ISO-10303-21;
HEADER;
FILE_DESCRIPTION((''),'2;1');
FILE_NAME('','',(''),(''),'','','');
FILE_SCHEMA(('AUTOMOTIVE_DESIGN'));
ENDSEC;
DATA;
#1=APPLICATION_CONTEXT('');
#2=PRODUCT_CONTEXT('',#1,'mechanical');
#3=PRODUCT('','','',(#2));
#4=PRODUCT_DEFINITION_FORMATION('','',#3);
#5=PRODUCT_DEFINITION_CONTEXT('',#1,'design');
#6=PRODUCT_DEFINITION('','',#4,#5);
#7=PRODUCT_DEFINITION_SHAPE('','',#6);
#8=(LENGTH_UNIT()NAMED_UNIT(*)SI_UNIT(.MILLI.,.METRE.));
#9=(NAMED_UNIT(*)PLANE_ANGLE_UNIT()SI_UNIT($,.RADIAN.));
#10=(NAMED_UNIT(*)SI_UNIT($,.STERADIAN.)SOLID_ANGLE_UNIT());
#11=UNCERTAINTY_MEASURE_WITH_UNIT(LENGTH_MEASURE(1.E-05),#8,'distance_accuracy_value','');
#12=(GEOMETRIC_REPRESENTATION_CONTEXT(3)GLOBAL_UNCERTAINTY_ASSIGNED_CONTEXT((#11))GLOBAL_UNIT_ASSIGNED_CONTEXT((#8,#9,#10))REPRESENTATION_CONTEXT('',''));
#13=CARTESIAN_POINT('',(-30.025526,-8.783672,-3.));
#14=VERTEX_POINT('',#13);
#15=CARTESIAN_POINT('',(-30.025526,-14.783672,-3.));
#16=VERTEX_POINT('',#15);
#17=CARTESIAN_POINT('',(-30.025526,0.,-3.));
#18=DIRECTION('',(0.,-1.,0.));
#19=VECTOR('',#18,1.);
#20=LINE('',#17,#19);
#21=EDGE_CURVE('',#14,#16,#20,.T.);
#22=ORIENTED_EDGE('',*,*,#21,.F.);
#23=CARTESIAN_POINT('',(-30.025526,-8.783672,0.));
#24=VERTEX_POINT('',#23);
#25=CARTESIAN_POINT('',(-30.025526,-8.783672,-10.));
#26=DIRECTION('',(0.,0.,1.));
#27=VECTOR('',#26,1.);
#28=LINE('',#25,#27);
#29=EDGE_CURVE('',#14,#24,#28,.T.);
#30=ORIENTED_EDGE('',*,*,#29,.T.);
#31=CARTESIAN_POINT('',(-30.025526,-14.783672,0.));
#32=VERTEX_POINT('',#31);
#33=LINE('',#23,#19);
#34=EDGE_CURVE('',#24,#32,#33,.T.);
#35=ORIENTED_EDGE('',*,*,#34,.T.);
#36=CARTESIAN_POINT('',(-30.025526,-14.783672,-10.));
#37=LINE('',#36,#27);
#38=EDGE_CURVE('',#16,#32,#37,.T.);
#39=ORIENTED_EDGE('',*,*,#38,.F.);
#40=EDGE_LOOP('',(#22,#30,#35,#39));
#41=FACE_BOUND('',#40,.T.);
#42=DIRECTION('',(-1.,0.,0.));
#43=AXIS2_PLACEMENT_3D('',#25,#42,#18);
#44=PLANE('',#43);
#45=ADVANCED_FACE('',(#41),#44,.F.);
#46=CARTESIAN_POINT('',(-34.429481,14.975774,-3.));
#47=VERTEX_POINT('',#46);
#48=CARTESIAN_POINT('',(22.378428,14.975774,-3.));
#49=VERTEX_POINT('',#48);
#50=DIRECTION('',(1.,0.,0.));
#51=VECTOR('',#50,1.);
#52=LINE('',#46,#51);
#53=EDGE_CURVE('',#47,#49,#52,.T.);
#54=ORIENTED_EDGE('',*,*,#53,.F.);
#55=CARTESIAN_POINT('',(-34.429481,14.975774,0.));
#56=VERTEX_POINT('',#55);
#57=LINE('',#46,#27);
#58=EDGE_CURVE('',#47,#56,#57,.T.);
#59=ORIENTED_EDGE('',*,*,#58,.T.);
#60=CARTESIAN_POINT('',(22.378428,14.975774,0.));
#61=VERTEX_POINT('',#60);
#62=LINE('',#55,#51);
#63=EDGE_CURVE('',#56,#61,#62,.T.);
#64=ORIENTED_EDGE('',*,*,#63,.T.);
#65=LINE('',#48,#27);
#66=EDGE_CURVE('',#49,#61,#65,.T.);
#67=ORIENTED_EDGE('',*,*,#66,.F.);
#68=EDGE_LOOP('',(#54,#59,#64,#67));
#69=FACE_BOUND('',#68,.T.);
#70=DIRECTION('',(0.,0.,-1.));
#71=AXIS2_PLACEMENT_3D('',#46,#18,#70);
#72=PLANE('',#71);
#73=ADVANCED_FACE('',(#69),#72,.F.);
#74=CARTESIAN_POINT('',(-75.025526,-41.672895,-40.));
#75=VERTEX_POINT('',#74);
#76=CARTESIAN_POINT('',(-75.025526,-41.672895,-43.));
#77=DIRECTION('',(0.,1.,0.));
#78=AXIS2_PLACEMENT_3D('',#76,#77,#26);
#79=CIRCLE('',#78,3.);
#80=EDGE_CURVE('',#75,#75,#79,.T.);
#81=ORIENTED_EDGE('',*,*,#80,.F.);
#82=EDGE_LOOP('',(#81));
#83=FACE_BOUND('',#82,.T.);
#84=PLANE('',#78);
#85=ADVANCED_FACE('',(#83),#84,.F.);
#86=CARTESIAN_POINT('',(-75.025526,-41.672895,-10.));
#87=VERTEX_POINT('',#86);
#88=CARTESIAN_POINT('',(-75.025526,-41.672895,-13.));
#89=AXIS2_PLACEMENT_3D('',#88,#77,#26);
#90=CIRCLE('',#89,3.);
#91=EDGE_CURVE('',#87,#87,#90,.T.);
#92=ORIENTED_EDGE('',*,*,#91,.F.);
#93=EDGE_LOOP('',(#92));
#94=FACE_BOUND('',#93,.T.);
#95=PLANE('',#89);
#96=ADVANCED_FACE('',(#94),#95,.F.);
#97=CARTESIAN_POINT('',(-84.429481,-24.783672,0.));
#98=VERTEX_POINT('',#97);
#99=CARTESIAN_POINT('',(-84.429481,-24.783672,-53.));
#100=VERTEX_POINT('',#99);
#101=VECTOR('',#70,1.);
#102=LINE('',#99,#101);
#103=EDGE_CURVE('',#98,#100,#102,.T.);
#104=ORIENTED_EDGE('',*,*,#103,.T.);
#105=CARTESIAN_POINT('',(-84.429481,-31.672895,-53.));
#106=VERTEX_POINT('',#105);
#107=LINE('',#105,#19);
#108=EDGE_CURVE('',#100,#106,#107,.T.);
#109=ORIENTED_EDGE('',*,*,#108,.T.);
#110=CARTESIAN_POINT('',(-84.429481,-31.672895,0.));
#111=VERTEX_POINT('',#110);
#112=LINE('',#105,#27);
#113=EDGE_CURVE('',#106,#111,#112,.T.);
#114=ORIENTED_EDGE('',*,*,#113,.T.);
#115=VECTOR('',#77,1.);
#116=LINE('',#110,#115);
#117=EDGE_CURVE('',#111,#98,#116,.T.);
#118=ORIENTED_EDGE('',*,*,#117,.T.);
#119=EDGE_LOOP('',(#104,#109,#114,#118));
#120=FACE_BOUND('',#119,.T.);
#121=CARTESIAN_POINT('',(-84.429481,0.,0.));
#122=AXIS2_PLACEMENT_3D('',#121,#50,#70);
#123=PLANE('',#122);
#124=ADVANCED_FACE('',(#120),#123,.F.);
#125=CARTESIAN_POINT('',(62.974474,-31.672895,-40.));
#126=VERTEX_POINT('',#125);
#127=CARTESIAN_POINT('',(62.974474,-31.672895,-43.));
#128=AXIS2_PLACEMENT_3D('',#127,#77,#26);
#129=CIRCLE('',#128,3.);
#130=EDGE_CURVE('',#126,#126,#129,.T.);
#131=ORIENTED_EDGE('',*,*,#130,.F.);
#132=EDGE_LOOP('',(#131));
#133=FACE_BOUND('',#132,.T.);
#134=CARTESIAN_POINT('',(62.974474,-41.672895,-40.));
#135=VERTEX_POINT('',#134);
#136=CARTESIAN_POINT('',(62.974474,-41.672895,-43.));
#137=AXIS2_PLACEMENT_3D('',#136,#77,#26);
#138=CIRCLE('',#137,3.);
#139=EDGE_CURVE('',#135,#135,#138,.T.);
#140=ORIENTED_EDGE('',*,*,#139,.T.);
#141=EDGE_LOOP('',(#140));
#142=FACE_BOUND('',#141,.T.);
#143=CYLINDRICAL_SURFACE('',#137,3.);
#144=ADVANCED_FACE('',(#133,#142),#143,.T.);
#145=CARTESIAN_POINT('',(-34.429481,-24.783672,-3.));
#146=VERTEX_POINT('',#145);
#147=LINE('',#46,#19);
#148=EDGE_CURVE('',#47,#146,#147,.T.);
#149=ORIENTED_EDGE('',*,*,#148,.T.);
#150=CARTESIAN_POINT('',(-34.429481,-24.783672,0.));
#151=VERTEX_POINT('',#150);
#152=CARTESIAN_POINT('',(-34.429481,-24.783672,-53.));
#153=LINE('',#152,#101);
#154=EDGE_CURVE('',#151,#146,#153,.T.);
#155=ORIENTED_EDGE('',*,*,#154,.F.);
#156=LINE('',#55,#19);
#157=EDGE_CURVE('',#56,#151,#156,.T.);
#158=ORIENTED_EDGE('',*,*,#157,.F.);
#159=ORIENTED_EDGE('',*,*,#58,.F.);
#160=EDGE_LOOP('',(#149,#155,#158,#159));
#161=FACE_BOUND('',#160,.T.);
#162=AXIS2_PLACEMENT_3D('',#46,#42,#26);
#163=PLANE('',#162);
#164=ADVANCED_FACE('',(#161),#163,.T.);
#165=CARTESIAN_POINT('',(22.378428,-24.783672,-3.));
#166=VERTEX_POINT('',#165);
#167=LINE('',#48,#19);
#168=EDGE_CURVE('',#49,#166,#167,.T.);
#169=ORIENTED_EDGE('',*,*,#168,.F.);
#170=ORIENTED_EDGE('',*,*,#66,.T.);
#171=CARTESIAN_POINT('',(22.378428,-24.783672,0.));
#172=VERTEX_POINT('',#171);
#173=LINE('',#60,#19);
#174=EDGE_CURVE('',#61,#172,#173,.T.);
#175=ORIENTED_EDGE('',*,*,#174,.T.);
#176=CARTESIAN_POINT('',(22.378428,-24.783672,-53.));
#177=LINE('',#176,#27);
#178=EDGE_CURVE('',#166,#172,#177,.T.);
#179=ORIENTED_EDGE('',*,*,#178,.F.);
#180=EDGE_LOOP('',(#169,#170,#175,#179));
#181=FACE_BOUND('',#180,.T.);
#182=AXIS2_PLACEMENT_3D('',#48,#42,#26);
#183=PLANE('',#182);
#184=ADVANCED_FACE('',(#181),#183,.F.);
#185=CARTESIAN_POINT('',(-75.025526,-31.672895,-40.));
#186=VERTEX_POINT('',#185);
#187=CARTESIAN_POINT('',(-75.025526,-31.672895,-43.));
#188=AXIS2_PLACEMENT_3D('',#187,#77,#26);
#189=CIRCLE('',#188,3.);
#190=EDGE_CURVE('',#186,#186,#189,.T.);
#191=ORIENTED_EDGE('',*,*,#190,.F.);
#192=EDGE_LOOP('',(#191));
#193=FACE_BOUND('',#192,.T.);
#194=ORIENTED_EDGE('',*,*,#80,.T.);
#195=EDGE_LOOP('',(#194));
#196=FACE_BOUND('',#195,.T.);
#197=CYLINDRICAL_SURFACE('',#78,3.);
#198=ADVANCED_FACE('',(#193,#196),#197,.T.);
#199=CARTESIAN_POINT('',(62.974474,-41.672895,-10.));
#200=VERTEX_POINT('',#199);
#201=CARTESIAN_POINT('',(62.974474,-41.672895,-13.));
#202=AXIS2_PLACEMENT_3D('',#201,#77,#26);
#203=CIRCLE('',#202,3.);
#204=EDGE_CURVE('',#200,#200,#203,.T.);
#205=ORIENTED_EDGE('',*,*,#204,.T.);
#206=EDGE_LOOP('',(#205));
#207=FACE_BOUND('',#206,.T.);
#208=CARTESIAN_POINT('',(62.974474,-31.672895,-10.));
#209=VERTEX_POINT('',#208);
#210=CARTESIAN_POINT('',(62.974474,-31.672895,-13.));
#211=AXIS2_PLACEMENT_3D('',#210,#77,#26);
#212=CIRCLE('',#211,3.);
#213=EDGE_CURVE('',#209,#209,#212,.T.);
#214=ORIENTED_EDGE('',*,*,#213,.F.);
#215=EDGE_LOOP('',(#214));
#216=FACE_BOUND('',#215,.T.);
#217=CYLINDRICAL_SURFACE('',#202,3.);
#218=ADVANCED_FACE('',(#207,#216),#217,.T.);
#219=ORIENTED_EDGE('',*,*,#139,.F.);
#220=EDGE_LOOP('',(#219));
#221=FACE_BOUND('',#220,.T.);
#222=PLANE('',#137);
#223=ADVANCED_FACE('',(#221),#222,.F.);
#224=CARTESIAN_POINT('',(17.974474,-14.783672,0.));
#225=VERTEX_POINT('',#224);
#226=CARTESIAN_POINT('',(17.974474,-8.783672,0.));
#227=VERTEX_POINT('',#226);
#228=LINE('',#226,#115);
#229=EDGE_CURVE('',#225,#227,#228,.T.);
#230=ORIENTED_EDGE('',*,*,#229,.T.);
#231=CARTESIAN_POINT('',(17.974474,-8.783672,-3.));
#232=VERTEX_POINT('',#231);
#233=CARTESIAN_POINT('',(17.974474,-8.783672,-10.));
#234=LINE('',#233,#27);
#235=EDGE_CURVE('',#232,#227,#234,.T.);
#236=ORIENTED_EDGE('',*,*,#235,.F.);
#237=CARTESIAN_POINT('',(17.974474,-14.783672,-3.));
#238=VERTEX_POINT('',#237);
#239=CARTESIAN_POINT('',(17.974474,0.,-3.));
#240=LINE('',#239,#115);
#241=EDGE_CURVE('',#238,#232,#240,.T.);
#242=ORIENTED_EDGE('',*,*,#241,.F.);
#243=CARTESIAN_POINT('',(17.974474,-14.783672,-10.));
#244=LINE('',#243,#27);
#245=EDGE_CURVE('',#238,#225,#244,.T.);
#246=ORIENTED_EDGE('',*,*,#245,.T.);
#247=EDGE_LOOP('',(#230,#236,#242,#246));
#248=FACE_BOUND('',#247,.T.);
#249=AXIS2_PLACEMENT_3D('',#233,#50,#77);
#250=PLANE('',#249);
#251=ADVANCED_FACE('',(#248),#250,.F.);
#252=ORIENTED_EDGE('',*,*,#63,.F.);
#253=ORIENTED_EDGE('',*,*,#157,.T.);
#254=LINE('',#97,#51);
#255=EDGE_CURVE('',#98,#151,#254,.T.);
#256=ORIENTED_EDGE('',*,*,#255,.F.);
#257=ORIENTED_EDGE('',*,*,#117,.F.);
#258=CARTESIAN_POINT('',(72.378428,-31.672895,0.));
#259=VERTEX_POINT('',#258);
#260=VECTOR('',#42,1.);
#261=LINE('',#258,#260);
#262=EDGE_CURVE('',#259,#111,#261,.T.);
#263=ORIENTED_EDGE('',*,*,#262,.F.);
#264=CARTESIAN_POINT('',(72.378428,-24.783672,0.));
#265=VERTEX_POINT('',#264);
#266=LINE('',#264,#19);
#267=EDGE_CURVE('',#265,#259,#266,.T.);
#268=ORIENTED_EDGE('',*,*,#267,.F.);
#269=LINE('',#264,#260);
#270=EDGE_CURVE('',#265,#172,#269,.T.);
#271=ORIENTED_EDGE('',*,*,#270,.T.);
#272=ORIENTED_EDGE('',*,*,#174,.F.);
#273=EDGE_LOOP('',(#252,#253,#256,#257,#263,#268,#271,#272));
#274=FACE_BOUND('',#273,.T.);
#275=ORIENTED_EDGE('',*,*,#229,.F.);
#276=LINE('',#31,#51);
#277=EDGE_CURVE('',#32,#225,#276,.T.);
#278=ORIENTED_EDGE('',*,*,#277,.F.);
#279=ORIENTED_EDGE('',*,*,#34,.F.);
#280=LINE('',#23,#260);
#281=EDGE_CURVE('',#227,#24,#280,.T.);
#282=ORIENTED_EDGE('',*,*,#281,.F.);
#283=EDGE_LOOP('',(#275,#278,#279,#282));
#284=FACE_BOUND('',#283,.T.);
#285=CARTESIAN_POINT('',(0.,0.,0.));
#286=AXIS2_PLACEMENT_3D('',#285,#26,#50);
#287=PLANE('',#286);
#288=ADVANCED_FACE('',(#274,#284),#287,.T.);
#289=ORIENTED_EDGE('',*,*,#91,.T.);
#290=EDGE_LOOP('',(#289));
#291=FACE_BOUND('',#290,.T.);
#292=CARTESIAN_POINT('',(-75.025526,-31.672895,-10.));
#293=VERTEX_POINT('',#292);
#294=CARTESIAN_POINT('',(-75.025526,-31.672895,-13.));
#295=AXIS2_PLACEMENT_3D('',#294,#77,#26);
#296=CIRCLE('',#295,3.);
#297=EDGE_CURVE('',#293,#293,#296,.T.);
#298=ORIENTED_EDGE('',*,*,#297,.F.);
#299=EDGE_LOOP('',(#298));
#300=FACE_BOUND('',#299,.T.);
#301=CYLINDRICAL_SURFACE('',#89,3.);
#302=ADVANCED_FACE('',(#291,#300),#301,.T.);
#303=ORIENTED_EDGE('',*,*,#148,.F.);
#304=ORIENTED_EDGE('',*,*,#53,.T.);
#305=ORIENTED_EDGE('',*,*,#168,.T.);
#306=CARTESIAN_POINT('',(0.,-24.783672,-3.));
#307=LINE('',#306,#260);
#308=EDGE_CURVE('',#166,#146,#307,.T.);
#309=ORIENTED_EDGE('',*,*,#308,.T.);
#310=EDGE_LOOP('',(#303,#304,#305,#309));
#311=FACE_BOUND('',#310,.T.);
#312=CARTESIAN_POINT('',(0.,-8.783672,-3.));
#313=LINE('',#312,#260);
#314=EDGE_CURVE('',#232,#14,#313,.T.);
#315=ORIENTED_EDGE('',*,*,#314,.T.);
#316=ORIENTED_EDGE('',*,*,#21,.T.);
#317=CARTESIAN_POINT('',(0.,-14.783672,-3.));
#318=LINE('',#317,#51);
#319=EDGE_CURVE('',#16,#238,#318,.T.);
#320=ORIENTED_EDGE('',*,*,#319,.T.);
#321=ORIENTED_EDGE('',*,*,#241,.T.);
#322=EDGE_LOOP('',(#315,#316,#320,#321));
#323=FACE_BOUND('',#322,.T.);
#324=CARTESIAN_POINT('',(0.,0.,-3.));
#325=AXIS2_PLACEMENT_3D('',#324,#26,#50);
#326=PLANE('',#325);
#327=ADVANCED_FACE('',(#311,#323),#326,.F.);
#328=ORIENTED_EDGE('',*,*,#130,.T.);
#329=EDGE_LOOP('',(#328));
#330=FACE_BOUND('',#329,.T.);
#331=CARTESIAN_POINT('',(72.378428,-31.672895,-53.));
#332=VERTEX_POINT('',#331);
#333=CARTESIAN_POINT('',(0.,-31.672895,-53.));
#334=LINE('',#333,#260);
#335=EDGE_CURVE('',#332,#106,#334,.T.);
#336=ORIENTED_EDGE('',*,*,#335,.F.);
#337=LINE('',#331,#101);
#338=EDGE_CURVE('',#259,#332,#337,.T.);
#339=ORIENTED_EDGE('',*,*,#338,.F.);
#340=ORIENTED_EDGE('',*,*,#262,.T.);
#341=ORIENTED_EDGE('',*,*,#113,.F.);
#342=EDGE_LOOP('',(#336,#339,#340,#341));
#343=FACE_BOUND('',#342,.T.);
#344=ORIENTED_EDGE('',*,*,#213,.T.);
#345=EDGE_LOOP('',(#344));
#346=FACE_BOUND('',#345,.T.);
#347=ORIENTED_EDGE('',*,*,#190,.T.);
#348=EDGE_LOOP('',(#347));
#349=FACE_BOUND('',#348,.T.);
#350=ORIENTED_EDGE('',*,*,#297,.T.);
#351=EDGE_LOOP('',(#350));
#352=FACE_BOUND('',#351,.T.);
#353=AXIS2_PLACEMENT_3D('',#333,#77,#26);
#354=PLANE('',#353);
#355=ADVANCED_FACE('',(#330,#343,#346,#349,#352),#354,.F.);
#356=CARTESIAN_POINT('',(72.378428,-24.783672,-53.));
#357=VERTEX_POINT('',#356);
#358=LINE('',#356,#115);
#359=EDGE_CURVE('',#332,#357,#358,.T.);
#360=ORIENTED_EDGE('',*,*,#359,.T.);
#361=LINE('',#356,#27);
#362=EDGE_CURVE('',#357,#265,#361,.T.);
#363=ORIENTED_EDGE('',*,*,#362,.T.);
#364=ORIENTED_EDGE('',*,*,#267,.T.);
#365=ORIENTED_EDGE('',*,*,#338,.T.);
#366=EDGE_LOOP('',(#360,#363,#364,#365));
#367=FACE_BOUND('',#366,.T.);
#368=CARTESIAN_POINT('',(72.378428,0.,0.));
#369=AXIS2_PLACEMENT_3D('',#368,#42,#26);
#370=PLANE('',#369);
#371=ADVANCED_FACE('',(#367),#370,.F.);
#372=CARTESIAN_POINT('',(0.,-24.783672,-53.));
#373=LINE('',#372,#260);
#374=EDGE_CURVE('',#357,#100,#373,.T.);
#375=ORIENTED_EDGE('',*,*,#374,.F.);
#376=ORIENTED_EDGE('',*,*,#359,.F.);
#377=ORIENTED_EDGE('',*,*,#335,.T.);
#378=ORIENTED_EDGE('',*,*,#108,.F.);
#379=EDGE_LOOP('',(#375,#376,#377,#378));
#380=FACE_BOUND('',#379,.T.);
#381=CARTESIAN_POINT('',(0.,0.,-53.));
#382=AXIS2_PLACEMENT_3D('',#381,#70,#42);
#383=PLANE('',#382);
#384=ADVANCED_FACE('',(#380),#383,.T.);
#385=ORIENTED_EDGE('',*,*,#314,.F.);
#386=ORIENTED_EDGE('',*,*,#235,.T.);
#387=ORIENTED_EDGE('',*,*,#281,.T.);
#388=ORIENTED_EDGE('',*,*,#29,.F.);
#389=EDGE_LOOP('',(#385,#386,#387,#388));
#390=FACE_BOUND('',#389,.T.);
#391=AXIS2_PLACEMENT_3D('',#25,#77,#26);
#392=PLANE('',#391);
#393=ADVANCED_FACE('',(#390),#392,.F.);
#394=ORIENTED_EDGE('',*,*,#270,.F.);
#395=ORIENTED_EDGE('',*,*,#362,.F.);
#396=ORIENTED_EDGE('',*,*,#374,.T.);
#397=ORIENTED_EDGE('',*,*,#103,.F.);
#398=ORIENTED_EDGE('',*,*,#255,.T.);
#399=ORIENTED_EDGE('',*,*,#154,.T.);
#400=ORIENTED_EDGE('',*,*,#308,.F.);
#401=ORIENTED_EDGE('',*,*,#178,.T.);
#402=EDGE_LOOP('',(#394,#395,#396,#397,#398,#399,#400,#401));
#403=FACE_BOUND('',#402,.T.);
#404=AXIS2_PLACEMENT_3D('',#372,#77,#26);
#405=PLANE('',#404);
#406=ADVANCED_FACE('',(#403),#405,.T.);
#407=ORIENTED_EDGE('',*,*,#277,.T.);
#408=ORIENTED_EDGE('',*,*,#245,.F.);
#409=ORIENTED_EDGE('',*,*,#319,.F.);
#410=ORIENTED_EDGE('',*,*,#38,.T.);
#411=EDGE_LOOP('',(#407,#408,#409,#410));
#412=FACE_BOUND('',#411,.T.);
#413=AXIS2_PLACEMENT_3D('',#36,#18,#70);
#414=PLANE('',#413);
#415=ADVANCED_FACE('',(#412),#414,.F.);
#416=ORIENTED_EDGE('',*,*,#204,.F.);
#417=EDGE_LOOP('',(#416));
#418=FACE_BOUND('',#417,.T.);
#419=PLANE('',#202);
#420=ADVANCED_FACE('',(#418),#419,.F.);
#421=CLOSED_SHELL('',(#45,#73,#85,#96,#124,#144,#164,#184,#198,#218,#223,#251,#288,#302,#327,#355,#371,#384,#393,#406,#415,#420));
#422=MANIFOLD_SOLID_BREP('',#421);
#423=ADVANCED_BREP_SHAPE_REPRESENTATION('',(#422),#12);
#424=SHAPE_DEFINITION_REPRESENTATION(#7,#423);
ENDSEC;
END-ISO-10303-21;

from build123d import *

# Parameters (mm, degrees)
SKETCH1_W           = 56.807908868
SKETCH1_H           = 54.266272082
BOSS_EXTRUDE2_DEPTH = 3
SKETCH2_R           = 4.25
BOSS_EXTRUDE3_DEPTH = 12
SKETCH3_W           = 48
SKETCH3_H           = 6
CUT_EXTRUDE1_DEPTH  = 10
SKETCH4_W           = 56.807908868
SKETCH4_H           = 6.889223191
BOSS_EXTRUDE4_DEPTH = 50
SKETCH5_W           = 53
SKETCH5_H           = 6.889223191
BOSS_EXTRUDE5_DEPTH = 50
SKETCH8_W           = 53
SKETCH8_H           = 6.889223191
BOSS_EXTRUDE6_DEPTH = 50
SKETCH9_W           = 68.867558101
SKETCH9_H           = 60.331860759
CUT_EXTRUDE2_DEPTH  = 26
SKETCH10_W          = 129.878394785
SKETCH10_H          = 53.736094631
CUT_EXTRUDE3_DEPTH  = 22
BOSS_EXTRUDE7_START = -6.889223
SKETCH11_R          = 3
BOSS_EXTRUDE7_DEPTH = 10


with BuildPart() as part:
    # Sketch1 → Boss-Extrude2 (new body)
    with BuildSketch(Plane.XY):
        with Locations((-6.025526457, -12.157362225)):
            Rectangle(SKETCH1_W, SKETCH1_H)
    extrude(amount=-BOSS_EXTRUDE2_DEPTH)

    # Sketch2 → Boss-Extrude3 (add)
    with BuildSketch(Plane.XY):
        with Locations((-26.141196849, 5.26708344)):
            Circle(SKETCH2_R)
        with Locations((-6.541196849, 5.26708344)):
            Circle(SKETCH2_R)
        with Locations((13.058803151, 5.26708344)):
            Circle(SKETCH2_R)
        with Locations((-26.141196849, -29.58291656)):
            Circle(SKETCH2_R)
        with Locations((-6.541196849, -29.58291656)):
            Circle(SKETCH2_R)
        with Locations((13.058803151, -29.58291656)):
            Circle(SKETCH2_R)
    extrude(amount=BOSS_EXTRUDE3_DEPTH)

    # Sketch3 → Cut-Extrude1 (cut)
    with BuildSketch(Plane.XY):
        with Locations((-6.025526457, -11.783671744)):
            Rectangle(SKETCH3_W, SKETCH3_H)
    extrude(amount=-CUT_EXTRUDE1_DEPTH, mode=Mode.SUBTRACT)

    # Sketch4 → Boss-Extrude4 (add)
    with BuildSketch(Plane(origin=(0, 0, -3), x_dir=(-1, 0, 0), z_dir=(0, 0, -1))):
        with Locations((6.025526457, -28.22828334)):
            Rectangle(SKETCH4_W, SKETCH4_H)
    extrude(amount=BOSS_EXTRUDE4_DEPTH)

    # Sketch5 → Boss-Extrude5 (add)
    with BuildSketch(Plane(origin=(22.378427977, 0, 0), x_dir=(0, 0, -1), z_dir=(1, 0, 0))):
        with Locations((26.5, -28.22828334)):
            Rectangle(SKETCH5_W, SKETCH5_H)
    extrude(amount=BOSS_EXTRUDE5_DEPTH)

    # Sketch8 → Boss-Extrude6 (add)
    with BuildSketch(Plane.ZY.offset(34.429480891)):
        with Locations((-26.5, -28.22828334)):
            Rectangle(SKETCH8_W, SKETCH8_H)
    extrude(amount=BOSS_EXTRUDE6_DEPTH)

    # Sketch9 → Cut-Extrude2 (cut)
    with BuildSketch(Plane.XY):
        with Locations((-7.965457672, -13.030331271)):
            Rectangle(SKETCH9_W, SKETCH9_H)
    extrude(amount=CUT_EXTRUDE2_DEPTH, mode=Mode.SUBTRACT)

    # Sketch10 → Cut-Extrude3 (cut)
    with BuildSketch(Plane.XZ.offset(31.672894935)):
        with Locations((-14.803715202, -13.978089422)):
            Rectangle(SKETCH10_W, SKETCH10_H)
    extrude(amount=CUT_EXTRUDE3_DEPTH, mode=Mode.SUBTRACT)

    # Sketch11 → Boss-Extrude7 (add)
    with BuildSketch(Plane(origin=(0, -24.783671744, 0), x_dir=(1, 0, 0), z_dir=(0, 1, 0)).offset(BOSS_EXTRUDE7_START)):
        with Locations(Location((-75.025526457, 43, 0), (0, 0, 270))):
            Circle(SKETCH11_R)
        with Locations(Location((-75.025526457, 13, 0), (0, 0, 270))):
            Circle(SKETCH11_R)
        with Locations(Location((62.974473543, 13, 0), (0, 0, 270))):
            Circle(SKETCH11_R)
        with Locations(Location((62.974473543, 43, 0), (0, 0, 270))):
            Circle(SKETCH11_R)
    extrude(amount=-BOSS_EXTRUDE7_DEPTH)


solid = part.part
